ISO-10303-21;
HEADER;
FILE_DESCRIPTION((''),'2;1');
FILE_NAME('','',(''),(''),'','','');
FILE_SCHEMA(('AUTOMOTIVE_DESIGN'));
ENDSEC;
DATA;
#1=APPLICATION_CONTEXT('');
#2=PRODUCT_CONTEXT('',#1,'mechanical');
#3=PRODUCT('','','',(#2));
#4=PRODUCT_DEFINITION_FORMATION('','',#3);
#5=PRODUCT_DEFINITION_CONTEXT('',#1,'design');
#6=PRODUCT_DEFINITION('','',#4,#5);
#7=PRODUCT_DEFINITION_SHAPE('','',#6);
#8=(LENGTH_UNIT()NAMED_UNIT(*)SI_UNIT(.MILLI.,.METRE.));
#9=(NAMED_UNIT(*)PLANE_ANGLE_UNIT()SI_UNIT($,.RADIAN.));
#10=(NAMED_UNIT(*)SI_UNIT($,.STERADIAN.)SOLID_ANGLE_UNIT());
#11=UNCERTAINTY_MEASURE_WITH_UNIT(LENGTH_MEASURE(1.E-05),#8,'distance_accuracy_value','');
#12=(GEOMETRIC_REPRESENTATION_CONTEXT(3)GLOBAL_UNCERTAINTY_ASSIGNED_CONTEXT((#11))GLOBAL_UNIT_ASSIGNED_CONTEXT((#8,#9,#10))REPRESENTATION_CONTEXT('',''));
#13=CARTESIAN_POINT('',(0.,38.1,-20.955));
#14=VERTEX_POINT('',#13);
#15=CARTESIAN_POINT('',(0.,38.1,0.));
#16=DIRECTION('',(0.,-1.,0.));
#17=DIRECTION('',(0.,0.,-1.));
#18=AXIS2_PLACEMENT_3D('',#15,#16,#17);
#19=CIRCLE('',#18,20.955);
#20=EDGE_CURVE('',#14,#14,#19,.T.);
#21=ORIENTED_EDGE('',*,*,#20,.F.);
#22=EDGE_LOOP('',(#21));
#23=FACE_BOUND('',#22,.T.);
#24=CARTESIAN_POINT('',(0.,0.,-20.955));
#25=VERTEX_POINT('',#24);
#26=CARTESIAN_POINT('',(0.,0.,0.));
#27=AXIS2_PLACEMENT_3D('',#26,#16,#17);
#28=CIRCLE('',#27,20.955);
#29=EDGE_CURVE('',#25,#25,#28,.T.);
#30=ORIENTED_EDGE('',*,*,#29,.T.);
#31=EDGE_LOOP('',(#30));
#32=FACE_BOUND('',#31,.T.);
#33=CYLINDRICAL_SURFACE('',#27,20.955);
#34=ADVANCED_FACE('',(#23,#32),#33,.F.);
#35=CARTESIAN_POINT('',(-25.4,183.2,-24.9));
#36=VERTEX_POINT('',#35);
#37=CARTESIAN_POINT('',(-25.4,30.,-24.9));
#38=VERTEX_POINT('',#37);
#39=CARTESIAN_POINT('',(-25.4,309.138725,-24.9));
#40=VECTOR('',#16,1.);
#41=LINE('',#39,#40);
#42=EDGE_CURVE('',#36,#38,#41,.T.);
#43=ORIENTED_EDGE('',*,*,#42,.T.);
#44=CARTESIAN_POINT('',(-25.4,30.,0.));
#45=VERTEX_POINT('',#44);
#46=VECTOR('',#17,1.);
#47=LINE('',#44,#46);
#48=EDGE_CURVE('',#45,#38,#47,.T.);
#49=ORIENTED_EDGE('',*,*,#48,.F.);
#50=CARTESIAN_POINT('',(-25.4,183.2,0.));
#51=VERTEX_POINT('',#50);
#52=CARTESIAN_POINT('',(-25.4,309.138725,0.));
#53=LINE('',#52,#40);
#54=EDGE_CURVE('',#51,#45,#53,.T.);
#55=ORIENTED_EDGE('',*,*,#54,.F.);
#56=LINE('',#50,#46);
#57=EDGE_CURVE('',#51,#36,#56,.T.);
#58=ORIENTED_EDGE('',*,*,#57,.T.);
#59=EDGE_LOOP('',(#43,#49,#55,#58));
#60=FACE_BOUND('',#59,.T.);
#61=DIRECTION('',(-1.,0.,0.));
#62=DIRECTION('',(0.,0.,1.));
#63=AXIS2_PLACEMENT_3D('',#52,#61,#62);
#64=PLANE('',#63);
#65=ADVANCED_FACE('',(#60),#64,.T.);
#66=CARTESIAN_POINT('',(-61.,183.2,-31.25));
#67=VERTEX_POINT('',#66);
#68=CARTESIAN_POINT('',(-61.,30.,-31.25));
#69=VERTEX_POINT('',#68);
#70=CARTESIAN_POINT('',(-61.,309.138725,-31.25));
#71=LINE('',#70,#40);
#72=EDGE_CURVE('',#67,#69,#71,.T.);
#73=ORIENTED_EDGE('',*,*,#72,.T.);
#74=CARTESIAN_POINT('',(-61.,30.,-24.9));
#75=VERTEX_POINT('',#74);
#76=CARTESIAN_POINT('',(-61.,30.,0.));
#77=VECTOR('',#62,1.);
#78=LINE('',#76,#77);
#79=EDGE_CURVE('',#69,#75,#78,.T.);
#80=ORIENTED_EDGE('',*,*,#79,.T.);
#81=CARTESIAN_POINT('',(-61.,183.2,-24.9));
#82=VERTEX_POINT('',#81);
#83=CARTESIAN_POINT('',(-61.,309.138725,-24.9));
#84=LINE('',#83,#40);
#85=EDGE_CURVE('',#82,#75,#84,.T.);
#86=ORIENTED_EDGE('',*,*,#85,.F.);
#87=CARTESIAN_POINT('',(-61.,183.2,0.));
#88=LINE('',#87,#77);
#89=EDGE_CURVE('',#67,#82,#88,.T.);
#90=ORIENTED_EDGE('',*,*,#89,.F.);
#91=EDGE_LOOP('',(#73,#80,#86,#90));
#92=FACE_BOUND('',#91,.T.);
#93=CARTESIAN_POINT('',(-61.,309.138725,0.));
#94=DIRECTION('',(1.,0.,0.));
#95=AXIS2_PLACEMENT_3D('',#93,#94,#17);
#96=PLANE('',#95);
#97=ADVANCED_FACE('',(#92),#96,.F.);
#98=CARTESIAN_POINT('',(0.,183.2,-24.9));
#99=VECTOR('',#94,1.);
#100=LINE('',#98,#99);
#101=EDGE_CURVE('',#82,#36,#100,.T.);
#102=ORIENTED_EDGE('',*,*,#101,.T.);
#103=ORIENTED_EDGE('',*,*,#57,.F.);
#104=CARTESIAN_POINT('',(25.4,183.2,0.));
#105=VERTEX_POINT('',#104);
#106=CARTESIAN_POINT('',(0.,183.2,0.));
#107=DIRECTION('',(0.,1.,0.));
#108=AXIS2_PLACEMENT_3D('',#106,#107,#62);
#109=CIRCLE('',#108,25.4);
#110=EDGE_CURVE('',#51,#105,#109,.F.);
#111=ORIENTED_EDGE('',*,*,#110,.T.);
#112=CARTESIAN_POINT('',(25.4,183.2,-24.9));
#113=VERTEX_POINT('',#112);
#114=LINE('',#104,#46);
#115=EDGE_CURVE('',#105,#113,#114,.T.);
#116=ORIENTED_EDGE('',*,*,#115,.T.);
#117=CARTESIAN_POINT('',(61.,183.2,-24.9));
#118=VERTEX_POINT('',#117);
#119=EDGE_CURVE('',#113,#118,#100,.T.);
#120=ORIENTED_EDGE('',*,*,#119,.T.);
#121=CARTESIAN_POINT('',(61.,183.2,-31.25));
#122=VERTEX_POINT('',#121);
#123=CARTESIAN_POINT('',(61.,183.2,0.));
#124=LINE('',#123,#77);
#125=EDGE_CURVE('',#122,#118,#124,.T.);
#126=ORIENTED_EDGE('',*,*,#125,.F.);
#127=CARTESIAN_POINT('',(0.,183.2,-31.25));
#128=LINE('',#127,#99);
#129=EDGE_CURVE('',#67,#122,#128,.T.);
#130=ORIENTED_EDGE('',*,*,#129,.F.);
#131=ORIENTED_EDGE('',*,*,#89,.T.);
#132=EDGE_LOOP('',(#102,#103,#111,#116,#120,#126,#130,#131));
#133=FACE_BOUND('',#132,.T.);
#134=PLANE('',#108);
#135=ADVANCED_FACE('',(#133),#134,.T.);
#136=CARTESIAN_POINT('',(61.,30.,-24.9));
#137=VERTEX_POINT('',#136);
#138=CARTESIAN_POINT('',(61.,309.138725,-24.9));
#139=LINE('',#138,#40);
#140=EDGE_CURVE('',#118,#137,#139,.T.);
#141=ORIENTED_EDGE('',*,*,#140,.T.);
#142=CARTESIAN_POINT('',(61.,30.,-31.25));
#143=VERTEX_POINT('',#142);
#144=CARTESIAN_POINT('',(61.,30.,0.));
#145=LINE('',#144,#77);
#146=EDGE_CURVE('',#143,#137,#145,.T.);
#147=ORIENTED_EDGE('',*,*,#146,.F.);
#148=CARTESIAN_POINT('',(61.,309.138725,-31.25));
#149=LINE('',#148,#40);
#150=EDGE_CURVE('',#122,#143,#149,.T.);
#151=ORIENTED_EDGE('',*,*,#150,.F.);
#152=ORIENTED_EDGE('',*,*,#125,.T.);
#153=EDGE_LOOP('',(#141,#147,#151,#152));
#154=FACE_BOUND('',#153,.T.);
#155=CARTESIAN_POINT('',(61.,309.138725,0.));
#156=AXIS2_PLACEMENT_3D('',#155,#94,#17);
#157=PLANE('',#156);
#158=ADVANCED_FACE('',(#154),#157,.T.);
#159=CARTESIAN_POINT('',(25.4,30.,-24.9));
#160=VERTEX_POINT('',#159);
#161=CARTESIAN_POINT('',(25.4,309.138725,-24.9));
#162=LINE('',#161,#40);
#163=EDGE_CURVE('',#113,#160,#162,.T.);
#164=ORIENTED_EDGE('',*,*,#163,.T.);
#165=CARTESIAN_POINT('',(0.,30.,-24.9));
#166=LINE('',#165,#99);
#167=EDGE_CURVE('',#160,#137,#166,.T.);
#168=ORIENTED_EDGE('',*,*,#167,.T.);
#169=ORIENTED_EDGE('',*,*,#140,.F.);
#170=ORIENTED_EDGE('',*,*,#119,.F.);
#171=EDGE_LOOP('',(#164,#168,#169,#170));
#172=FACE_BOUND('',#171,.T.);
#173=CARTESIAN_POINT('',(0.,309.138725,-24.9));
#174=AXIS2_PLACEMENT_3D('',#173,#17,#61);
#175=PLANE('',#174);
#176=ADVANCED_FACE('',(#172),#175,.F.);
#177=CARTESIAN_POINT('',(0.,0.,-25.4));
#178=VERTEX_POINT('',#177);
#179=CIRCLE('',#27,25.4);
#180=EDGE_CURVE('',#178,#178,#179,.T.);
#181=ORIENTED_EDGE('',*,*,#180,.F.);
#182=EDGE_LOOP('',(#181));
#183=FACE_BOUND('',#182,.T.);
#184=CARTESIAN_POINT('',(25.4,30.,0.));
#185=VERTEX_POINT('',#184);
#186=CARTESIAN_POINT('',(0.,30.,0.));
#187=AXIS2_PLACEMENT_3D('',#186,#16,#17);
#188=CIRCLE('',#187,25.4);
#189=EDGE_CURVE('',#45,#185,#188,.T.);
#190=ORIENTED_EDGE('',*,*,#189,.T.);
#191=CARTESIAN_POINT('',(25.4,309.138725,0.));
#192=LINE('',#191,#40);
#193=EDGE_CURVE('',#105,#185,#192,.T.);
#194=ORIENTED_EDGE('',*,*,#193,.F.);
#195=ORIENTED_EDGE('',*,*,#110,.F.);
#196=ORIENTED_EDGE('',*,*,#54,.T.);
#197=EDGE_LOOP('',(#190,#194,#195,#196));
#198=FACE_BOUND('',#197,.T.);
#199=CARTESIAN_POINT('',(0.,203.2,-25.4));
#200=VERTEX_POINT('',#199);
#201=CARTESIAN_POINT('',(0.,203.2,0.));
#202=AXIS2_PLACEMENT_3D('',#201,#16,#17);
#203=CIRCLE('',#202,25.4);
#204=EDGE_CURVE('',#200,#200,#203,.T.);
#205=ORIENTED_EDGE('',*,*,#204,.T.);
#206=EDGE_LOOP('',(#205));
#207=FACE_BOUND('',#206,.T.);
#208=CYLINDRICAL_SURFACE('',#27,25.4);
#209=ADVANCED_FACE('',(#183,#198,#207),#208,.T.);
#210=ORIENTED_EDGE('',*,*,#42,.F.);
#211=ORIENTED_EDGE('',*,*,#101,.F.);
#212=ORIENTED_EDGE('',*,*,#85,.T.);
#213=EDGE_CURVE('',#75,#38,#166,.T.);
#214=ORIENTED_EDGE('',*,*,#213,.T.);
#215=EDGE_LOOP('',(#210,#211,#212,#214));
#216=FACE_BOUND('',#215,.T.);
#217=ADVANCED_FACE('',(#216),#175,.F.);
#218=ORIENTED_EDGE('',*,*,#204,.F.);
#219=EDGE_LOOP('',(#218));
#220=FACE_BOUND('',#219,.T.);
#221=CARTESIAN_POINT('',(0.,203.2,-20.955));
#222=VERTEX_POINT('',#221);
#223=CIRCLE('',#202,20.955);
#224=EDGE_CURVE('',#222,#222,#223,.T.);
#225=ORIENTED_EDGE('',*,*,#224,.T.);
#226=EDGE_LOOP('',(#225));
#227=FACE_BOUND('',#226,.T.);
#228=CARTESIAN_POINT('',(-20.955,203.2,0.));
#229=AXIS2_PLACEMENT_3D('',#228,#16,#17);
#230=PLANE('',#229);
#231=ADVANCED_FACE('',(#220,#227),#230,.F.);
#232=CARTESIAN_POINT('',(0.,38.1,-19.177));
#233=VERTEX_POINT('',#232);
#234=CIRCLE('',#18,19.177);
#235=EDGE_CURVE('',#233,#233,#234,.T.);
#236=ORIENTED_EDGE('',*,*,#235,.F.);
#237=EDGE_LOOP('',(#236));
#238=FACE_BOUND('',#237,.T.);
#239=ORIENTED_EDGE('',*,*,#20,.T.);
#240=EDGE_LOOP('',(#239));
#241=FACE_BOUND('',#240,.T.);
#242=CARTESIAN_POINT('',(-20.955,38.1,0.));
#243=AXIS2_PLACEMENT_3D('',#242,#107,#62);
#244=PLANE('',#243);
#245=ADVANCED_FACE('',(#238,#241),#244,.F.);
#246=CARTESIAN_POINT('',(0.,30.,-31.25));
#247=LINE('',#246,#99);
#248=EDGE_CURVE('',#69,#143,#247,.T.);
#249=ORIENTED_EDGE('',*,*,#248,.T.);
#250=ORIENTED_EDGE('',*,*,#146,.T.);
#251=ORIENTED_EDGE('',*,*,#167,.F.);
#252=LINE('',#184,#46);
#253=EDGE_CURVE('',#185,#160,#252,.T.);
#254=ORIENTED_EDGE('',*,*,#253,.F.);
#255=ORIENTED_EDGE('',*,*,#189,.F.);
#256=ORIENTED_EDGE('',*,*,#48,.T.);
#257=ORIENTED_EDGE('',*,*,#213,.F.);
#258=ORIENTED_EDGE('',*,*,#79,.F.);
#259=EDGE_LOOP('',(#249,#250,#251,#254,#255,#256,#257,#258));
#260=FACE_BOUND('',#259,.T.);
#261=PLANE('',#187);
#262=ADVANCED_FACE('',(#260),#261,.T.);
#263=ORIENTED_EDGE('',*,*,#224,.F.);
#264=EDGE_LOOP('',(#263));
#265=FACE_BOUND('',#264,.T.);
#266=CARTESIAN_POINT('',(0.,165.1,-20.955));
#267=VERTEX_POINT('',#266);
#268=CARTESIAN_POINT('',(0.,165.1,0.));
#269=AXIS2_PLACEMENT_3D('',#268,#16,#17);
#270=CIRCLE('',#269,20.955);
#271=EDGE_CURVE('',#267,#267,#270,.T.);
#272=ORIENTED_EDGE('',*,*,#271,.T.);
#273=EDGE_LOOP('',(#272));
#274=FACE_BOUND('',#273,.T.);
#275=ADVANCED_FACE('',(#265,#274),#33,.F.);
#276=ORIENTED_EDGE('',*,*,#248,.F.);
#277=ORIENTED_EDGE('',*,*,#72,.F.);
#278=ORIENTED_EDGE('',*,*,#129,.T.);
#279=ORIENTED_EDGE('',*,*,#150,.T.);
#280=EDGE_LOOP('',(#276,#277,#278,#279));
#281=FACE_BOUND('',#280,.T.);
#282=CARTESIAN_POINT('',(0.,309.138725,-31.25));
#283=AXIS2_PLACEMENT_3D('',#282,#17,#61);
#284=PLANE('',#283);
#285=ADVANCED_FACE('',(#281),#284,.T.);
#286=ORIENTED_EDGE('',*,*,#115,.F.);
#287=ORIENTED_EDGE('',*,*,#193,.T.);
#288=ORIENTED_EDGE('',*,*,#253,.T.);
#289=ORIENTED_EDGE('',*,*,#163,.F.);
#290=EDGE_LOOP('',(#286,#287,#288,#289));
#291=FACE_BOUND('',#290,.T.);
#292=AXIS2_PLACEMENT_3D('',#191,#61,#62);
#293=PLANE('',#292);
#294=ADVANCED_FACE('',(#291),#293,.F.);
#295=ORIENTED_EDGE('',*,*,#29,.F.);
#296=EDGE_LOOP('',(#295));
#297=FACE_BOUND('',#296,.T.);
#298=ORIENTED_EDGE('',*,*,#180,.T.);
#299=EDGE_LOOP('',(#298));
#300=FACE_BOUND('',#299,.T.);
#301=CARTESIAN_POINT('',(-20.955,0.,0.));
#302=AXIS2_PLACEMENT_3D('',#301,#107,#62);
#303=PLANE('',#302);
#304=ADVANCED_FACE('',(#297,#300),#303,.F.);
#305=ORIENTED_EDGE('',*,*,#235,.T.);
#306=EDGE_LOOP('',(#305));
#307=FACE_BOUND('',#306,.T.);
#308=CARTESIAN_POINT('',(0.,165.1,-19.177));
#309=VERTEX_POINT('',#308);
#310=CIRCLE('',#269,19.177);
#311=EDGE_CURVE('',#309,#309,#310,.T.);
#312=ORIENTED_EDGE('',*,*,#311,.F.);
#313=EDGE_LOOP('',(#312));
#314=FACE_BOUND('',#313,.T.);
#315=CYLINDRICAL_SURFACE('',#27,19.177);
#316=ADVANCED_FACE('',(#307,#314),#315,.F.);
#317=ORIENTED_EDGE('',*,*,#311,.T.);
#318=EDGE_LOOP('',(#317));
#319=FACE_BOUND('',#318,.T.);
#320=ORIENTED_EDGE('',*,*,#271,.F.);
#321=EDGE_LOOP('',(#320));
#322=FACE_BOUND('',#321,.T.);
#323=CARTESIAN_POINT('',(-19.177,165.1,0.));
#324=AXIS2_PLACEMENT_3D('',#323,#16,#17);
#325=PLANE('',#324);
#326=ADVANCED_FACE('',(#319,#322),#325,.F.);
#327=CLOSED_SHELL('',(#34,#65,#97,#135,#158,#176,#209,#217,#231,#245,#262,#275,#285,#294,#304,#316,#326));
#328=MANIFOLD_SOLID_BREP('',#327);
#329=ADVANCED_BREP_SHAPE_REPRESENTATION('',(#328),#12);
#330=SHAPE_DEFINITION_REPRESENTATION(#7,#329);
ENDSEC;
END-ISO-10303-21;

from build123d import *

# Parameters (mm, degrees)
BOSS_EXTRUDE1_START = -153.2
BOSS_EXTRUDE1_DEPTH = 153.2


with BuildPart() as part:
    # Sketch12 → Revolve1 (revolve)
    with BuildSketch(Plane.XY, mode=Mode.PRIVATE) as revolve1_sk:
        Polygon((-25.399999994, 0), (-25.399999994, 203.2), (-20.955, 203.2), (-20.955, 165.1), (-19.177, 165.1), (-19.177, 38.1), (-20.955, 38.1), (-20.955, 0), align=None)
    revolve(revolve1_sk.sketch.rotate(Axis((0, 0, 0), (0, 1, 0)), 270), axis=Axis((0, 0, 0), (0, 1, 0)))

    # Sketch13 → Boss-Extrude1 (add)
    with BuildSketch(Plane(origin=(0, 30, 0), x_dir=(-1, 0, 0), z_dir=(0, -1, 0)).offset(BOSS_EXTRUDE1_START)):
        with BuildLine():
            Line((61, 24.899999994), (61, 31.249999994))
            Line((61, 31.249999994), (-61, 31.249999994))
            Line((-61, 31.249999994), (-61, 24.899999994))
            Line((-61, 24.899999994), (-25.399999994, 24.899999994))
            Line((-25.399999994, 24.899999994), (-25.399999994, 0))
            ThreePointArc((-25.399999994, 0), (0, 25.399999994), (25.399999994, 0))
            Line((25.399999994, 0), (25.399999994, 24.899999994))
            Line((25.399999994, 24.899999994), (61, 24.899999994))
        make_face()
    extrude(amount=BOSS_EXTRUDE1_DEPTH)


solid = part.part
